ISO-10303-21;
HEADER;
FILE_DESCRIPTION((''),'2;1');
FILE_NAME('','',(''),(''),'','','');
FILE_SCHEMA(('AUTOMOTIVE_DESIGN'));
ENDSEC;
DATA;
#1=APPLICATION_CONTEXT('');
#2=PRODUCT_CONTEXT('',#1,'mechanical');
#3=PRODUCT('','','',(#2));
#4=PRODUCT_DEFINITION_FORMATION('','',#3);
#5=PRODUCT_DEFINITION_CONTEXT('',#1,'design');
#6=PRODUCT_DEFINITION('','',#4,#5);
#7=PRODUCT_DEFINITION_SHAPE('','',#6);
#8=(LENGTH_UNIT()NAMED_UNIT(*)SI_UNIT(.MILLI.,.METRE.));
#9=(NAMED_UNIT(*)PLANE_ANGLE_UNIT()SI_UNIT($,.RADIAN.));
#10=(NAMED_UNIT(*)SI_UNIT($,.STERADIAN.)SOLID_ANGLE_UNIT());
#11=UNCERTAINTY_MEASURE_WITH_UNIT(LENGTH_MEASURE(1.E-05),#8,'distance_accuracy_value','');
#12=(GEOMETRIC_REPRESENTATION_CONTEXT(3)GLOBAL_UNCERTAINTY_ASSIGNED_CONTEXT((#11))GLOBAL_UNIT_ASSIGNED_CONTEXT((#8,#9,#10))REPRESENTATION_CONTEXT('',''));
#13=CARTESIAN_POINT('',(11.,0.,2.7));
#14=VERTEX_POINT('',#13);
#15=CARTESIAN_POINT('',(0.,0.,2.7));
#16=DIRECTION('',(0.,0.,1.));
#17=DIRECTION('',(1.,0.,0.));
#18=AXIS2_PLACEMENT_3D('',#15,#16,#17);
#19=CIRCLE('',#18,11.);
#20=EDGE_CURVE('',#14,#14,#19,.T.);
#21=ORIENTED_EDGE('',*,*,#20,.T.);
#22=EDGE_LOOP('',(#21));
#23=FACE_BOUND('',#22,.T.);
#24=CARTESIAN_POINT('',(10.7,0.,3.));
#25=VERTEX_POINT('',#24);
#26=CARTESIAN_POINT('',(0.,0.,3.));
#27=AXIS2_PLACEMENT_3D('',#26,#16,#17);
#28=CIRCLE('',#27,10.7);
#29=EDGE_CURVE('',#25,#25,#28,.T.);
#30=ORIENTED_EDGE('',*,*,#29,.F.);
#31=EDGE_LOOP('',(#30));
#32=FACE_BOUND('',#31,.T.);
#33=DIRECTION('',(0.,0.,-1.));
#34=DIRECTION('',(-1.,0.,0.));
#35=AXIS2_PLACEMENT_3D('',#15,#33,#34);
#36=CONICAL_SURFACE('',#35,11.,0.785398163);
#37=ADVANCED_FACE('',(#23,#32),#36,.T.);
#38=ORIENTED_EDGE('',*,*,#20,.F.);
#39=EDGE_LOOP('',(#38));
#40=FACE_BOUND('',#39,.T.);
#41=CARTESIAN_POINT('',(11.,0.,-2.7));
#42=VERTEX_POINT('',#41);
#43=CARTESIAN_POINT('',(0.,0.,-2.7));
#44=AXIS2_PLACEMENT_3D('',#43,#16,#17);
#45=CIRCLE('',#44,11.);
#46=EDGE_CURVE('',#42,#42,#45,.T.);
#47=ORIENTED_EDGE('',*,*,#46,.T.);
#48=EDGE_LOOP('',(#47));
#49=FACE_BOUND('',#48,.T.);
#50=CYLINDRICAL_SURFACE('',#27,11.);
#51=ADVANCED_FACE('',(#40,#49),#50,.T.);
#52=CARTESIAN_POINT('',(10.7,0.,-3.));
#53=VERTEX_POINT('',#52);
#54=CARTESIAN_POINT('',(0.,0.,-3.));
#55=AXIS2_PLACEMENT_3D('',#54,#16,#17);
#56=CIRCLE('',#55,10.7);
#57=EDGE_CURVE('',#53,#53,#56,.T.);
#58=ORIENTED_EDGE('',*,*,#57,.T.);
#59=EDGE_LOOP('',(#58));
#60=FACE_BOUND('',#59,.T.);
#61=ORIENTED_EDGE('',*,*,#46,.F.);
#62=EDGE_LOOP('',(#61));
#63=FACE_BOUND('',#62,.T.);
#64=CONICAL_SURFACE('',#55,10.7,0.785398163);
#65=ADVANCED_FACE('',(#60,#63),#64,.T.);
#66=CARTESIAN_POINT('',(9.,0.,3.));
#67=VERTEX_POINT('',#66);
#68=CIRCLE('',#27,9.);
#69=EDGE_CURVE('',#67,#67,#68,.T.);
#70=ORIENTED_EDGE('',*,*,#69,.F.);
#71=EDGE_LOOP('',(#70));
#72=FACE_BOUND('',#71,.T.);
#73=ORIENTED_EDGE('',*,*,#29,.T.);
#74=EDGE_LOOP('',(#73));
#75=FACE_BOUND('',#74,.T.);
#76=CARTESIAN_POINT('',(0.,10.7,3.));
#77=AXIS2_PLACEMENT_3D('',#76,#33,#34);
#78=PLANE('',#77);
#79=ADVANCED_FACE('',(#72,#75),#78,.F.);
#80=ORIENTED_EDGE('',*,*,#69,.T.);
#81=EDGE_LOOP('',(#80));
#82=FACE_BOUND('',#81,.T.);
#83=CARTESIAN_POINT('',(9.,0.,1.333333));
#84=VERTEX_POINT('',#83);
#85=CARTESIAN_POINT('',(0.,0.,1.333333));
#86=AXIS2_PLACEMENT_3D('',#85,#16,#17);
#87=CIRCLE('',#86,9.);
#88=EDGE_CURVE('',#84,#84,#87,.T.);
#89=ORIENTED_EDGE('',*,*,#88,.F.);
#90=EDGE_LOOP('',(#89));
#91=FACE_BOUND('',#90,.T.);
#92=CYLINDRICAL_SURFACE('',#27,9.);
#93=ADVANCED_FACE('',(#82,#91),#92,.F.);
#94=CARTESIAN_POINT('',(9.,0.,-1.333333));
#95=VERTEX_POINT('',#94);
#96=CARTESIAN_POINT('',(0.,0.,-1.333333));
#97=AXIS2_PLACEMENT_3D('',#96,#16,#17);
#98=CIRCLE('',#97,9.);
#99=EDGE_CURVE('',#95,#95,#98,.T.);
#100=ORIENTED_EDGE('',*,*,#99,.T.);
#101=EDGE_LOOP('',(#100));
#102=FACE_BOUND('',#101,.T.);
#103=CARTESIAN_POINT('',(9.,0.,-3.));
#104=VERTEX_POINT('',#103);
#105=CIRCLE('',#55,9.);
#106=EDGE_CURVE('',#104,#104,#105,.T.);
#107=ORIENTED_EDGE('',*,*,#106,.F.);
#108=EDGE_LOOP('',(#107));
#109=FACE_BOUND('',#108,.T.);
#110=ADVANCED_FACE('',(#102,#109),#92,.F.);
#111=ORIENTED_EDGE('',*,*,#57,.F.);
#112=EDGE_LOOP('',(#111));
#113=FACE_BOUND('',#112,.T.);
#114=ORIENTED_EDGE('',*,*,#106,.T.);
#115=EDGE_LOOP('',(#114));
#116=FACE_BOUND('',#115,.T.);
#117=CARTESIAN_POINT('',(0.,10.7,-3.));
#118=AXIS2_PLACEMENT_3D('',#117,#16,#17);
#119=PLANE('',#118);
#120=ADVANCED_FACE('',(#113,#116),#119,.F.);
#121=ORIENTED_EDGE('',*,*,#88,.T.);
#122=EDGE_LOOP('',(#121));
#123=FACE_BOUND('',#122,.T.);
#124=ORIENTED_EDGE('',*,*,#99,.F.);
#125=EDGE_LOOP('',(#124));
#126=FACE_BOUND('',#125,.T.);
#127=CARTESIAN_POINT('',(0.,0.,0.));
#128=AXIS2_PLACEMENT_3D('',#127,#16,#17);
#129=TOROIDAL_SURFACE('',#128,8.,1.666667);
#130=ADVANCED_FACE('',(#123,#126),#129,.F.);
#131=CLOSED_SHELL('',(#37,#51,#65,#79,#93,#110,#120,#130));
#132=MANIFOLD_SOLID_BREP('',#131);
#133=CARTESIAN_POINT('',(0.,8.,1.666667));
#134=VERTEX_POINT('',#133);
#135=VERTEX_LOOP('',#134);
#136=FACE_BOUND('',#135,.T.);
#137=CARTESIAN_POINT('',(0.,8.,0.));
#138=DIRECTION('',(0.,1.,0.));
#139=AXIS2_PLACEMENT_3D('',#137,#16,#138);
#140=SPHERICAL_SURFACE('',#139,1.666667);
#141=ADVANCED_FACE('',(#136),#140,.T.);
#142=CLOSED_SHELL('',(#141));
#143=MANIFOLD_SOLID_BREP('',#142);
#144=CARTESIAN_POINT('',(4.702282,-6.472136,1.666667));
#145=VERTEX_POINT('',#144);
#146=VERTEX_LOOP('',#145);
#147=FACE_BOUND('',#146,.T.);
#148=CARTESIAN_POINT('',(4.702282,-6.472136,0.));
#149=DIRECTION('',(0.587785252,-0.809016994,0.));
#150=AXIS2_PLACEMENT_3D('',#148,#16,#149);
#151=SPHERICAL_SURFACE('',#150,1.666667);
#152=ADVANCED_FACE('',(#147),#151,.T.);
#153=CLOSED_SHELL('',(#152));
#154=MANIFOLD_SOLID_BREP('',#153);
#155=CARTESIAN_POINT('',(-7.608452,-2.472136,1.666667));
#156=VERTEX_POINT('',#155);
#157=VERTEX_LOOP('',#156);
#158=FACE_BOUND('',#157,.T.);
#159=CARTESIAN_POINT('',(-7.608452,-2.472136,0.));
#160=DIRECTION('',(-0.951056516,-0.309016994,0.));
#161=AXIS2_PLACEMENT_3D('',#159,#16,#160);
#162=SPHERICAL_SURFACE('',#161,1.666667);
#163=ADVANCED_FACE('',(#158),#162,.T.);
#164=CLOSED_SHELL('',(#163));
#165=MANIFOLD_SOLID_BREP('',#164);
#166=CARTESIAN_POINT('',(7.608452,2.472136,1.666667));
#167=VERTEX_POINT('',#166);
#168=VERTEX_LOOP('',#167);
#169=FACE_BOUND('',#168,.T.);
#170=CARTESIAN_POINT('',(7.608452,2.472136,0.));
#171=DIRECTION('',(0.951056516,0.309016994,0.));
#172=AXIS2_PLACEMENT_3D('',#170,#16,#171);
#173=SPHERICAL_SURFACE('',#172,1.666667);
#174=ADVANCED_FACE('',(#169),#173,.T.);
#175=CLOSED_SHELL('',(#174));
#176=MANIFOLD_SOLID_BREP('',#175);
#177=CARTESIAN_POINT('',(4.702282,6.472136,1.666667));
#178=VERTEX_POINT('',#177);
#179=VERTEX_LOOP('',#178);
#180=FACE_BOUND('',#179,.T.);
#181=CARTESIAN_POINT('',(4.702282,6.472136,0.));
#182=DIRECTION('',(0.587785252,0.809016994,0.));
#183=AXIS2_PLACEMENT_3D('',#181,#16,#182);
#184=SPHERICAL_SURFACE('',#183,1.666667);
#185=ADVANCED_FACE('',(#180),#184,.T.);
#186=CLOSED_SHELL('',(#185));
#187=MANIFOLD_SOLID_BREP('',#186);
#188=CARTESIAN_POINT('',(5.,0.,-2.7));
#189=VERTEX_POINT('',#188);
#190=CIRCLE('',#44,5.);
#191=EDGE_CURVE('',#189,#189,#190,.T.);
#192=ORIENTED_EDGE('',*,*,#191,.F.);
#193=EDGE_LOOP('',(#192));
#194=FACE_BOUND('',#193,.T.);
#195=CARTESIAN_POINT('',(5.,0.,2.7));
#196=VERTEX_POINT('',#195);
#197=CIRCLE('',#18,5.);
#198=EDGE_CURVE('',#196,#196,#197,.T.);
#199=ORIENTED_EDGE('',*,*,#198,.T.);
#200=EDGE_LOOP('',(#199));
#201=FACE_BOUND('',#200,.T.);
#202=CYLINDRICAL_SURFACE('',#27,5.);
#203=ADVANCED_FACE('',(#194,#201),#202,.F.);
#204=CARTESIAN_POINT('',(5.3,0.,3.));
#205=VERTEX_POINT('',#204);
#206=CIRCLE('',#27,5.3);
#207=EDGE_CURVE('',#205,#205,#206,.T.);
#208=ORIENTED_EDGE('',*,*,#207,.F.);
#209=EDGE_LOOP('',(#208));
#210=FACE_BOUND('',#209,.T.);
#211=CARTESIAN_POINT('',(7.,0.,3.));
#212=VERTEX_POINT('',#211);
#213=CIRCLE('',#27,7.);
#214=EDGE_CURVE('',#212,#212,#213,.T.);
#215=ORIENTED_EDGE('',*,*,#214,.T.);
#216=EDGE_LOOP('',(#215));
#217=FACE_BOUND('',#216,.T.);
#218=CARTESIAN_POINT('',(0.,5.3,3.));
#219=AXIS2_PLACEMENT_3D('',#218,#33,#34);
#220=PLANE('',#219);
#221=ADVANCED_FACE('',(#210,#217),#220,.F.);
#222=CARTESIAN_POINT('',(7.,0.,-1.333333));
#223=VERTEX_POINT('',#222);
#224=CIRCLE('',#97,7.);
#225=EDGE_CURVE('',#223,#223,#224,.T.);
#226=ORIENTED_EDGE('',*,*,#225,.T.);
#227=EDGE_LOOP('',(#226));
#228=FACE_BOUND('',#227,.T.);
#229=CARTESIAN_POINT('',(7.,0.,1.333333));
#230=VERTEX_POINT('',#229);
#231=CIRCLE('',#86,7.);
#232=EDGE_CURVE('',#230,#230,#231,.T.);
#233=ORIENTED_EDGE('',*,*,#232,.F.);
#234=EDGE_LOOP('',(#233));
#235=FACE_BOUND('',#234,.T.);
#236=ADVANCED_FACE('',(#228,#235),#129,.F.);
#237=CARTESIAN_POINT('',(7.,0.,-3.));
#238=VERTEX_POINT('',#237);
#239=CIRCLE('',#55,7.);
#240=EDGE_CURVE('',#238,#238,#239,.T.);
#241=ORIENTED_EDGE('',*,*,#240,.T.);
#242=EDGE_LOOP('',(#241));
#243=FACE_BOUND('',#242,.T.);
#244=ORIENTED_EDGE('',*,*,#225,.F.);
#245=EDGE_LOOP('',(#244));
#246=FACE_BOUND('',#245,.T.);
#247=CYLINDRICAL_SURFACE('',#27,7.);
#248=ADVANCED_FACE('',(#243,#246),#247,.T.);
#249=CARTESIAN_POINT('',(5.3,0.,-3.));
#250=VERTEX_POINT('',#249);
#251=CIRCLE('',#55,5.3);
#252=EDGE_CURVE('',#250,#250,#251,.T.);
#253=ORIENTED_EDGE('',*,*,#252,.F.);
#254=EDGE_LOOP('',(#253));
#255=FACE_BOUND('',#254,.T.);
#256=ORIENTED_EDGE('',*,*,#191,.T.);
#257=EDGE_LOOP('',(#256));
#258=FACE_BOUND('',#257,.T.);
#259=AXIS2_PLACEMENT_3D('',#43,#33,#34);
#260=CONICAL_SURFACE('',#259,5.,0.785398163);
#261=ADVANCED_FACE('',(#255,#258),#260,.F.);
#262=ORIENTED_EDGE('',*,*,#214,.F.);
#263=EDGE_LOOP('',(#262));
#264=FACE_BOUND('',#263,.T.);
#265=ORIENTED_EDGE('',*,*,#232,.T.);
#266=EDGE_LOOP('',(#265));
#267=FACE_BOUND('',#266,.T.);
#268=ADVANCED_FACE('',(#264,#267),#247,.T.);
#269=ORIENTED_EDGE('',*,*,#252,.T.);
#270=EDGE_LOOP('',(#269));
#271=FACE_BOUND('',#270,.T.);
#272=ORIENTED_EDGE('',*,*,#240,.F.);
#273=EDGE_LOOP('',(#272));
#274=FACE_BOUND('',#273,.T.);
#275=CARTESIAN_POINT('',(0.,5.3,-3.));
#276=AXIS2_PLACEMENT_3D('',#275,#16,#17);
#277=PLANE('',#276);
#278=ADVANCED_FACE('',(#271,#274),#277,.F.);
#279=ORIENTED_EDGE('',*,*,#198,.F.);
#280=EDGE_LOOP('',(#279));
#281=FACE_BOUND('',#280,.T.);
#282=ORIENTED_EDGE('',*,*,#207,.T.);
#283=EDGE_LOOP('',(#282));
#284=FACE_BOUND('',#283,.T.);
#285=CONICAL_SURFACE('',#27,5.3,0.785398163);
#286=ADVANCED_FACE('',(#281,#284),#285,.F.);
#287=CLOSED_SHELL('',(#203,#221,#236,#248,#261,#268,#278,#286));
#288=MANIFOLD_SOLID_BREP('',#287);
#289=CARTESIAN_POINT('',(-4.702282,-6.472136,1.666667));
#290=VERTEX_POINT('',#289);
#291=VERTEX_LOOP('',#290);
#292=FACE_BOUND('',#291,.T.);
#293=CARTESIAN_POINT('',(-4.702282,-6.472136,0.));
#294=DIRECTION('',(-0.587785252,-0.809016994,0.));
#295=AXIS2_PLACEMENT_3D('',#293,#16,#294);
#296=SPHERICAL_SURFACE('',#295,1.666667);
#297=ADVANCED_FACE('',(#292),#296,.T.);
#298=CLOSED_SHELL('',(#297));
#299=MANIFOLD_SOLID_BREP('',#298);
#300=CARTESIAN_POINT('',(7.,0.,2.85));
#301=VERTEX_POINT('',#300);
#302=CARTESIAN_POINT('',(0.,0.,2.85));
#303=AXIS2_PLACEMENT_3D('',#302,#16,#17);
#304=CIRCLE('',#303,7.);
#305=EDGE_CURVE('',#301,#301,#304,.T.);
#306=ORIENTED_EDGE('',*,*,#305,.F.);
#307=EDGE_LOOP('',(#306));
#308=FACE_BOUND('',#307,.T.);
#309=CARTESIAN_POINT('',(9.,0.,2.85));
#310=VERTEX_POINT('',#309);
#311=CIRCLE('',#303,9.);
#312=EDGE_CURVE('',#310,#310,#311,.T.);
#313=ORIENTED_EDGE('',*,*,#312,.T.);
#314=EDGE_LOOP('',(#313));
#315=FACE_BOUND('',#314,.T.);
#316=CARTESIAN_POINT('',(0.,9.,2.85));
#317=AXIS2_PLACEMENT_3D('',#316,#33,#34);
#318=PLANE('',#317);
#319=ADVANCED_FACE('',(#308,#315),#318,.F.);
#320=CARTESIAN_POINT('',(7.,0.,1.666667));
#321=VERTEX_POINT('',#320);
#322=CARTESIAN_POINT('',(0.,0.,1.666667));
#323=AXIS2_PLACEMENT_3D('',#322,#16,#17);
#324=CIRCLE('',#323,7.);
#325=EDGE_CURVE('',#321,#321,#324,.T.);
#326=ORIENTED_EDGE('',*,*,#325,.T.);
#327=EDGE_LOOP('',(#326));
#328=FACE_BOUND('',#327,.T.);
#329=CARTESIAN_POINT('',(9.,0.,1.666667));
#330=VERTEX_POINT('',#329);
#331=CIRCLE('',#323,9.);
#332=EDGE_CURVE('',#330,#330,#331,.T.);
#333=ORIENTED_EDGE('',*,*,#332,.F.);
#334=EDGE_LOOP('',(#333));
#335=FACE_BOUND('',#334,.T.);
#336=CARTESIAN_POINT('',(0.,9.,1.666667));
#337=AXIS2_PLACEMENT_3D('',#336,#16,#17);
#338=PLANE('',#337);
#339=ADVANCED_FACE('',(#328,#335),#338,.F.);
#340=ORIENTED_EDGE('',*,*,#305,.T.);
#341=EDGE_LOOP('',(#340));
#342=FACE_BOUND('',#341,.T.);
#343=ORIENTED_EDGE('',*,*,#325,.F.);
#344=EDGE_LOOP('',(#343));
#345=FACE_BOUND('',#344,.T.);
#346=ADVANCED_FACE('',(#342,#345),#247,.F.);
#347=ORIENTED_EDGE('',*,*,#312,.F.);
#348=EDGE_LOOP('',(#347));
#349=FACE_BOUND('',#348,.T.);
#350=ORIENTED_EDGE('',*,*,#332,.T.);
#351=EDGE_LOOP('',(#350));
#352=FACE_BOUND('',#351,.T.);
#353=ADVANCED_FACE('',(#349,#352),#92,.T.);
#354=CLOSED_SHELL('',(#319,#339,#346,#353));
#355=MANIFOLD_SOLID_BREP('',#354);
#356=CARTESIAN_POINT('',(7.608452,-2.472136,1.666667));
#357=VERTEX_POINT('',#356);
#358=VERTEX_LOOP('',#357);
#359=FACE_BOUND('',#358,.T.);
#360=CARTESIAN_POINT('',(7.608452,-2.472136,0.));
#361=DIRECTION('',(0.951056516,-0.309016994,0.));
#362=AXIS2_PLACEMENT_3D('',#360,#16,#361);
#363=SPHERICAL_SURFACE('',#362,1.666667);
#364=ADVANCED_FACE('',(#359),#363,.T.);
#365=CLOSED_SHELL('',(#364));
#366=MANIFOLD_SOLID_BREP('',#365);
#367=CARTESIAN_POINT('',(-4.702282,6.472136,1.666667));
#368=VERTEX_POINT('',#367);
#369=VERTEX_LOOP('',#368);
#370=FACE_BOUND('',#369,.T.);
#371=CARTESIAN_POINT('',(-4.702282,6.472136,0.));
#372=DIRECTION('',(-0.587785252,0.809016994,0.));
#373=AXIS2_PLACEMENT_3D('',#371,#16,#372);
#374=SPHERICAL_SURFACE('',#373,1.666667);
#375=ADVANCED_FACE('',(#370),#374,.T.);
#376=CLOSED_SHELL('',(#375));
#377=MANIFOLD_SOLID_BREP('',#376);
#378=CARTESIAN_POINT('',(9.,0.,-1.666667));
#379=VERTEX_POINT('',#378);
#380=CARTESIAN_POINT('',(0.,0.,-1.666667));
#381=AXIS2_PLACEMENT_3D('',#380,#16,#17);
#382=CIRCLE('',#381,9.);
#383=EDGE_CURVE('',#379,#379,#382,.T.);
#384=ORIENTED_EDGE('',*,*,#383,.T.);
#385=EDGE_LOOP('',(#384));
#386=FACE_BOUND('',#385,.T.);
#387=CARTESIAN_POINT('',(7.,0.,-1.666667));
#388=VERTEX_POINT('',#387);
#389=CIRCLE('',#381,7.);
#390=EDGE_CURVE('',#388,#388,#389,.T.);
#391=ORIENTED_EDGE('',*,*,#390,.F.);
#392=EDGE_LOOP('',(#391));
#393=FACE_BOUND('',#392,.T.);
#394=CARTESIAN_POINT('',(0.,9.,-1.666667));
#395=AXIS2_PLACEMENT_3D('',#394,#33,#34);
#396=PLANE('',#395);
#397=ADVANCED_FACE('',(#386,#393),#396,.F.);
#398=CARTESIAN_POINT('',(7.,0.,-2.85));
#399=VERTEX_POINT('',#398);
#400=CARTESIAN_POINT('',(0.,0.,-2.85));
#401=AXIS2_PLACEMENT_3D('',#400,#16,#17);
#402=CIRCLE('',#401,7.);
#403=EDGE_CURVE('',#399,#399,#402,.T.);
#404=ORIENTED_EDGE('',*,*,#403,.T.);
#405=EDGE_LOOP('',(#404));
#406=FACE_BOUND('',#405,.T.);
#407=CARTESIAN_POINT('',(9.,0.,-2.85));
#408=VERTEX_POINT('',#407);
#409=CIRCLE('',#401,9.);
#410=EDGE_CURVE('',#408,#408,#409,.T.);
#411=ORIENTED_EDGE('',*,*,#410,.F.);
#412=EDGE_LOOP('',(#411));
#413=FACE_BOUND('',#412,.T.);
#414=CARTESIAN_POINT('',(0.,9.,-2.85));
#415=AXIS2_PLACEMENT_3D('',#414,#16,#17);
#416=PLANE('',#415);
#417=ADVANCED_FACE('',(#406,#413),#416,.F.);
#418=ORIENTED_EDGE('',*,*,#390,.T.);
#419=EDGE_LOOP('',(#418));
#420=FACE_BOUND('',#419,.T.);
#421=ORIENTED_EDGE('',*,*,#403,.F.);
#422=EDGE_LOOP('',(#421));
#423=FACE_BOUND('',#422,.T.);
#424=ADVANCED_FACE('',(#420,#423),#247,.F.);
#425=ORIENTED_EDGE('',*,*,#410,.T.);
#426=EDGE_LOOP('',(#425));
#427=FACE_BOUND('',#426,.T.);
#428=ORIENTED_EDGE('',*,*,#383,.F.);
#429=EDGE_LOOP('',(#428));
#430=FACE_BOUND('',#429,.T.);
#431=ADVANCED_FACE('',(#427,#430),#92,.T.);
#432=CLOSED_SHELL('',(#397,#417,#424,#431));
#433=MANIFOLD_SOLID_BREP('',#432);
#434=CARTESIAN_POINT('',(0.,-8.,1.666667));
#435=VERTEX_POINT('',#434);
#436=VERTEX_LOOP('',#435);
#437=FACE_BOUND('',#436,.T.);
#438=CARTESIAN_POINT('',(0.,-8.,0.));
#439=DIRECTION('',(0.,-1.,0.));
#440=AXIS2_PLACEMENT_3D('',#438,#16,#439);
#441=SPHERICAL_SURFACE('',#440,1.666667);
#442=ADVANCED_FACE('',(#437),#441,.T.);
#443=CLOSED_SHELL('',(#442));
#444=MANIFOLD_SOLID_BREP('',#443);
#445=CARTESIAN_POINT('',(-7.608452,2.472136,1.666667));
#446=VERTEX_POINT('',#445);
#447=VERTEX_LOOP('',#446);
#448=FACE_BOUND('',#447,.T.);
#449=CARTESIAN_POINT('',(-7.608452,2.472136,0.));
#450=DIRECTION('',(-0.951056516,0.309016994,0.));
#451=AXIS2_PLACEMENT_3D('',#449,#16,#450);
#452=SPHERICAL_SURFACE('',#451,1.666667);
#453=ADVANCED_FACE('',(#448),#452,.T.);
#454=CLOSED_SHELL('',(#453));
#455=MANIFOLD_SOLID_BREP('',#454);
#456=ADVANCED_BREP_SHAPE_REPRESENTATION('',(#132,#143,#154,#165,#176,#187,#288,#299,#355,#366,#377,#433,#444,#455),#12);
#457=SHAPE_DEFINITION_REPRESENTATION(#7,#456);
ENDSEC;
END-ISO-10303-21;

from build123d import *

# Parameters (mm, degrees)
CIRPATTERN1_COUNT = 10
SKETCH5_W         = 1.183333333
SKETCH5_H         = 2


with BuildPart() as part:
    # Sketch3 → Revolve1 (revolve)
    with BuildSketch(Plane(origin=(0, 0, 0), x_dir=(0, 0, -1), z_dir=(1, 0, 0))):
        with BuildLine():
            Line((-3, 10.7), (-3, 9))
            Line((-3, 9), (-1.333333333, 9))
            ThreePointArc((-1.333333333, 9), (0, 9.666666667), (1.333333333, 9))
            Line((1.333333333, 9), (3, 9))
            Line((3, 9), (3, 10.7))
            Line((3, 10.7), (2.7, 11))
            Line((2.7, 11), (-2.7, 11))
            Line((-2.7, 11), (-3, 10.7))
        make_face()
        with BuildLine():
            Line((-3, 5.3), (-3, 7))
            Line((-3, 7), (-1.333333333, 7))
            ThreePointArc((-1.333333333, 7), (0, 6.333333333), (1.333333333, 7))
            Line((1.333333333, 7), (3, 7))
            Line((3, 7), (3, 5.3))
            Line((3, 5.3), (2.7, 5))
            Line((2.7, 5), (-2.7, 5))
            Line((-2.7, 5), (-3, 5.3))
        make_face()
    revolve(axis=Axis((0, 0, 3), (0, 0, -1)))


with BuildPart() as body_2:
    # Sketch4 → Revolve2 (revolve)
    with BuildSketch(Plane(origin=(0, 0, 0), x_dir=(0, 0, -1), z_dir=(1, 0, 0))):
        with BuildLine():
            Line((-1.666666667, 8), (1.666666667, 8))
            ThreePointArc((1.666666667, 8), (0, 9.666666667), (-1.666666667, 8))
        make_face()
    revolve(axis=Axis((0, 8, 1.666666667), (0, 0, -1)))


with BuildPart() as cirpattern1_1:
    # CirPattern1: pattern copy
    add(body_2.part.rotate(Axis((0, 0, 0), (0, 0, 1)), 1 * 360 / CIRPATTERN1_COUNT))


with BuildPart() as cirpattern1_2:
    # CirPattern1: pattern copy
    add(body_2.part.rotate(Axis((0, 0, 0), (0, 0, 1)), 2 * 360 / CIRPATTERN1_COUNT))


with BuildPart() as cirpattern1_3:
    # CirPattern1: pattern copy
    add(body_2.part.rotate(Axis((0, 0, 0), (0, 0, 1)), 3 * 360 / CIRPATTERN1_COUNT))


with BuildPart() as cirpattern1_4:
    # CirPattern1: pattern copy
    add(body_2.part.rotate(Axis((0, 0, 0), (0, 0, 1)), 4 * 360 / CIRPATTERN1_COUNT))


with BuildPart() as cirpattern1_5:
    # CirPattern1: pattern copy
    add(body_2.part.rotate(Axis((0, 0, 0), (0, 0, 1)), 5 * 360 / CIRPATTERN1_COUNT))


with BuildPart() as cirpattern1_6:
    # CirPattern1: pattern copy
    add(body_2.part.rotate(Axis((0, 0, 0), (0, 0, 1)), 6 * 360 / CIRPATTERN1_COUNT))


with BuildPart() as cirpattern1_7:
    # CirPattern1: pattern copy
    add(body_2.part.rotate(Axis((0, 0, 0), (0, 0, 1)), 7 * 360 / CIRPATTERN1_COUNT))


with BuildPart() as cirpattern1_8:
    # CirPattern1: pattern copy
    add(body_2.part.rotate(Axis((0, 0, 0), (0, 0, 1)), 8 * 360 / CIRPATTERN1_COUNT))


with BuildPart() as cirpattern1_9:
    # CirPattern1: pattern copy
    add(body_2.part.rotate(Axis((0, 0, 0), (0, 0, 1)), 9 * 360 / CIRPATTERN1_COUNT))


with BuildPart() as body_12:
    # Sketch5 → Revolve3 (revolve)
    with BuildSketch(Plane(origin=(0, 0, 0), x_dir=(0, 0, -1), z_dir=(1, 0, 0))):
        with Locations((-2.258333333, 8)):
            Rectangle(SKETCH5_W, SKETCH5_H)
        with Locations((2.258333333, 8)):
            Rectangle(SKETCH5_W, SKETCH5_H)
    revolve(axis=Axis((0, 0, 3), (0, 0, -1)))


solid = Compound([part.part, body_2.part, cirpattern1_1.part, cirpattern1_2.part, cirpattern1_3.part, cirpattern1_4.part, cirpattern1_5.part, cirpattern1_6.part, cirpattern1_7.part, cirpattern1_8.part, cirpattern1_9.part, body_12.part])
